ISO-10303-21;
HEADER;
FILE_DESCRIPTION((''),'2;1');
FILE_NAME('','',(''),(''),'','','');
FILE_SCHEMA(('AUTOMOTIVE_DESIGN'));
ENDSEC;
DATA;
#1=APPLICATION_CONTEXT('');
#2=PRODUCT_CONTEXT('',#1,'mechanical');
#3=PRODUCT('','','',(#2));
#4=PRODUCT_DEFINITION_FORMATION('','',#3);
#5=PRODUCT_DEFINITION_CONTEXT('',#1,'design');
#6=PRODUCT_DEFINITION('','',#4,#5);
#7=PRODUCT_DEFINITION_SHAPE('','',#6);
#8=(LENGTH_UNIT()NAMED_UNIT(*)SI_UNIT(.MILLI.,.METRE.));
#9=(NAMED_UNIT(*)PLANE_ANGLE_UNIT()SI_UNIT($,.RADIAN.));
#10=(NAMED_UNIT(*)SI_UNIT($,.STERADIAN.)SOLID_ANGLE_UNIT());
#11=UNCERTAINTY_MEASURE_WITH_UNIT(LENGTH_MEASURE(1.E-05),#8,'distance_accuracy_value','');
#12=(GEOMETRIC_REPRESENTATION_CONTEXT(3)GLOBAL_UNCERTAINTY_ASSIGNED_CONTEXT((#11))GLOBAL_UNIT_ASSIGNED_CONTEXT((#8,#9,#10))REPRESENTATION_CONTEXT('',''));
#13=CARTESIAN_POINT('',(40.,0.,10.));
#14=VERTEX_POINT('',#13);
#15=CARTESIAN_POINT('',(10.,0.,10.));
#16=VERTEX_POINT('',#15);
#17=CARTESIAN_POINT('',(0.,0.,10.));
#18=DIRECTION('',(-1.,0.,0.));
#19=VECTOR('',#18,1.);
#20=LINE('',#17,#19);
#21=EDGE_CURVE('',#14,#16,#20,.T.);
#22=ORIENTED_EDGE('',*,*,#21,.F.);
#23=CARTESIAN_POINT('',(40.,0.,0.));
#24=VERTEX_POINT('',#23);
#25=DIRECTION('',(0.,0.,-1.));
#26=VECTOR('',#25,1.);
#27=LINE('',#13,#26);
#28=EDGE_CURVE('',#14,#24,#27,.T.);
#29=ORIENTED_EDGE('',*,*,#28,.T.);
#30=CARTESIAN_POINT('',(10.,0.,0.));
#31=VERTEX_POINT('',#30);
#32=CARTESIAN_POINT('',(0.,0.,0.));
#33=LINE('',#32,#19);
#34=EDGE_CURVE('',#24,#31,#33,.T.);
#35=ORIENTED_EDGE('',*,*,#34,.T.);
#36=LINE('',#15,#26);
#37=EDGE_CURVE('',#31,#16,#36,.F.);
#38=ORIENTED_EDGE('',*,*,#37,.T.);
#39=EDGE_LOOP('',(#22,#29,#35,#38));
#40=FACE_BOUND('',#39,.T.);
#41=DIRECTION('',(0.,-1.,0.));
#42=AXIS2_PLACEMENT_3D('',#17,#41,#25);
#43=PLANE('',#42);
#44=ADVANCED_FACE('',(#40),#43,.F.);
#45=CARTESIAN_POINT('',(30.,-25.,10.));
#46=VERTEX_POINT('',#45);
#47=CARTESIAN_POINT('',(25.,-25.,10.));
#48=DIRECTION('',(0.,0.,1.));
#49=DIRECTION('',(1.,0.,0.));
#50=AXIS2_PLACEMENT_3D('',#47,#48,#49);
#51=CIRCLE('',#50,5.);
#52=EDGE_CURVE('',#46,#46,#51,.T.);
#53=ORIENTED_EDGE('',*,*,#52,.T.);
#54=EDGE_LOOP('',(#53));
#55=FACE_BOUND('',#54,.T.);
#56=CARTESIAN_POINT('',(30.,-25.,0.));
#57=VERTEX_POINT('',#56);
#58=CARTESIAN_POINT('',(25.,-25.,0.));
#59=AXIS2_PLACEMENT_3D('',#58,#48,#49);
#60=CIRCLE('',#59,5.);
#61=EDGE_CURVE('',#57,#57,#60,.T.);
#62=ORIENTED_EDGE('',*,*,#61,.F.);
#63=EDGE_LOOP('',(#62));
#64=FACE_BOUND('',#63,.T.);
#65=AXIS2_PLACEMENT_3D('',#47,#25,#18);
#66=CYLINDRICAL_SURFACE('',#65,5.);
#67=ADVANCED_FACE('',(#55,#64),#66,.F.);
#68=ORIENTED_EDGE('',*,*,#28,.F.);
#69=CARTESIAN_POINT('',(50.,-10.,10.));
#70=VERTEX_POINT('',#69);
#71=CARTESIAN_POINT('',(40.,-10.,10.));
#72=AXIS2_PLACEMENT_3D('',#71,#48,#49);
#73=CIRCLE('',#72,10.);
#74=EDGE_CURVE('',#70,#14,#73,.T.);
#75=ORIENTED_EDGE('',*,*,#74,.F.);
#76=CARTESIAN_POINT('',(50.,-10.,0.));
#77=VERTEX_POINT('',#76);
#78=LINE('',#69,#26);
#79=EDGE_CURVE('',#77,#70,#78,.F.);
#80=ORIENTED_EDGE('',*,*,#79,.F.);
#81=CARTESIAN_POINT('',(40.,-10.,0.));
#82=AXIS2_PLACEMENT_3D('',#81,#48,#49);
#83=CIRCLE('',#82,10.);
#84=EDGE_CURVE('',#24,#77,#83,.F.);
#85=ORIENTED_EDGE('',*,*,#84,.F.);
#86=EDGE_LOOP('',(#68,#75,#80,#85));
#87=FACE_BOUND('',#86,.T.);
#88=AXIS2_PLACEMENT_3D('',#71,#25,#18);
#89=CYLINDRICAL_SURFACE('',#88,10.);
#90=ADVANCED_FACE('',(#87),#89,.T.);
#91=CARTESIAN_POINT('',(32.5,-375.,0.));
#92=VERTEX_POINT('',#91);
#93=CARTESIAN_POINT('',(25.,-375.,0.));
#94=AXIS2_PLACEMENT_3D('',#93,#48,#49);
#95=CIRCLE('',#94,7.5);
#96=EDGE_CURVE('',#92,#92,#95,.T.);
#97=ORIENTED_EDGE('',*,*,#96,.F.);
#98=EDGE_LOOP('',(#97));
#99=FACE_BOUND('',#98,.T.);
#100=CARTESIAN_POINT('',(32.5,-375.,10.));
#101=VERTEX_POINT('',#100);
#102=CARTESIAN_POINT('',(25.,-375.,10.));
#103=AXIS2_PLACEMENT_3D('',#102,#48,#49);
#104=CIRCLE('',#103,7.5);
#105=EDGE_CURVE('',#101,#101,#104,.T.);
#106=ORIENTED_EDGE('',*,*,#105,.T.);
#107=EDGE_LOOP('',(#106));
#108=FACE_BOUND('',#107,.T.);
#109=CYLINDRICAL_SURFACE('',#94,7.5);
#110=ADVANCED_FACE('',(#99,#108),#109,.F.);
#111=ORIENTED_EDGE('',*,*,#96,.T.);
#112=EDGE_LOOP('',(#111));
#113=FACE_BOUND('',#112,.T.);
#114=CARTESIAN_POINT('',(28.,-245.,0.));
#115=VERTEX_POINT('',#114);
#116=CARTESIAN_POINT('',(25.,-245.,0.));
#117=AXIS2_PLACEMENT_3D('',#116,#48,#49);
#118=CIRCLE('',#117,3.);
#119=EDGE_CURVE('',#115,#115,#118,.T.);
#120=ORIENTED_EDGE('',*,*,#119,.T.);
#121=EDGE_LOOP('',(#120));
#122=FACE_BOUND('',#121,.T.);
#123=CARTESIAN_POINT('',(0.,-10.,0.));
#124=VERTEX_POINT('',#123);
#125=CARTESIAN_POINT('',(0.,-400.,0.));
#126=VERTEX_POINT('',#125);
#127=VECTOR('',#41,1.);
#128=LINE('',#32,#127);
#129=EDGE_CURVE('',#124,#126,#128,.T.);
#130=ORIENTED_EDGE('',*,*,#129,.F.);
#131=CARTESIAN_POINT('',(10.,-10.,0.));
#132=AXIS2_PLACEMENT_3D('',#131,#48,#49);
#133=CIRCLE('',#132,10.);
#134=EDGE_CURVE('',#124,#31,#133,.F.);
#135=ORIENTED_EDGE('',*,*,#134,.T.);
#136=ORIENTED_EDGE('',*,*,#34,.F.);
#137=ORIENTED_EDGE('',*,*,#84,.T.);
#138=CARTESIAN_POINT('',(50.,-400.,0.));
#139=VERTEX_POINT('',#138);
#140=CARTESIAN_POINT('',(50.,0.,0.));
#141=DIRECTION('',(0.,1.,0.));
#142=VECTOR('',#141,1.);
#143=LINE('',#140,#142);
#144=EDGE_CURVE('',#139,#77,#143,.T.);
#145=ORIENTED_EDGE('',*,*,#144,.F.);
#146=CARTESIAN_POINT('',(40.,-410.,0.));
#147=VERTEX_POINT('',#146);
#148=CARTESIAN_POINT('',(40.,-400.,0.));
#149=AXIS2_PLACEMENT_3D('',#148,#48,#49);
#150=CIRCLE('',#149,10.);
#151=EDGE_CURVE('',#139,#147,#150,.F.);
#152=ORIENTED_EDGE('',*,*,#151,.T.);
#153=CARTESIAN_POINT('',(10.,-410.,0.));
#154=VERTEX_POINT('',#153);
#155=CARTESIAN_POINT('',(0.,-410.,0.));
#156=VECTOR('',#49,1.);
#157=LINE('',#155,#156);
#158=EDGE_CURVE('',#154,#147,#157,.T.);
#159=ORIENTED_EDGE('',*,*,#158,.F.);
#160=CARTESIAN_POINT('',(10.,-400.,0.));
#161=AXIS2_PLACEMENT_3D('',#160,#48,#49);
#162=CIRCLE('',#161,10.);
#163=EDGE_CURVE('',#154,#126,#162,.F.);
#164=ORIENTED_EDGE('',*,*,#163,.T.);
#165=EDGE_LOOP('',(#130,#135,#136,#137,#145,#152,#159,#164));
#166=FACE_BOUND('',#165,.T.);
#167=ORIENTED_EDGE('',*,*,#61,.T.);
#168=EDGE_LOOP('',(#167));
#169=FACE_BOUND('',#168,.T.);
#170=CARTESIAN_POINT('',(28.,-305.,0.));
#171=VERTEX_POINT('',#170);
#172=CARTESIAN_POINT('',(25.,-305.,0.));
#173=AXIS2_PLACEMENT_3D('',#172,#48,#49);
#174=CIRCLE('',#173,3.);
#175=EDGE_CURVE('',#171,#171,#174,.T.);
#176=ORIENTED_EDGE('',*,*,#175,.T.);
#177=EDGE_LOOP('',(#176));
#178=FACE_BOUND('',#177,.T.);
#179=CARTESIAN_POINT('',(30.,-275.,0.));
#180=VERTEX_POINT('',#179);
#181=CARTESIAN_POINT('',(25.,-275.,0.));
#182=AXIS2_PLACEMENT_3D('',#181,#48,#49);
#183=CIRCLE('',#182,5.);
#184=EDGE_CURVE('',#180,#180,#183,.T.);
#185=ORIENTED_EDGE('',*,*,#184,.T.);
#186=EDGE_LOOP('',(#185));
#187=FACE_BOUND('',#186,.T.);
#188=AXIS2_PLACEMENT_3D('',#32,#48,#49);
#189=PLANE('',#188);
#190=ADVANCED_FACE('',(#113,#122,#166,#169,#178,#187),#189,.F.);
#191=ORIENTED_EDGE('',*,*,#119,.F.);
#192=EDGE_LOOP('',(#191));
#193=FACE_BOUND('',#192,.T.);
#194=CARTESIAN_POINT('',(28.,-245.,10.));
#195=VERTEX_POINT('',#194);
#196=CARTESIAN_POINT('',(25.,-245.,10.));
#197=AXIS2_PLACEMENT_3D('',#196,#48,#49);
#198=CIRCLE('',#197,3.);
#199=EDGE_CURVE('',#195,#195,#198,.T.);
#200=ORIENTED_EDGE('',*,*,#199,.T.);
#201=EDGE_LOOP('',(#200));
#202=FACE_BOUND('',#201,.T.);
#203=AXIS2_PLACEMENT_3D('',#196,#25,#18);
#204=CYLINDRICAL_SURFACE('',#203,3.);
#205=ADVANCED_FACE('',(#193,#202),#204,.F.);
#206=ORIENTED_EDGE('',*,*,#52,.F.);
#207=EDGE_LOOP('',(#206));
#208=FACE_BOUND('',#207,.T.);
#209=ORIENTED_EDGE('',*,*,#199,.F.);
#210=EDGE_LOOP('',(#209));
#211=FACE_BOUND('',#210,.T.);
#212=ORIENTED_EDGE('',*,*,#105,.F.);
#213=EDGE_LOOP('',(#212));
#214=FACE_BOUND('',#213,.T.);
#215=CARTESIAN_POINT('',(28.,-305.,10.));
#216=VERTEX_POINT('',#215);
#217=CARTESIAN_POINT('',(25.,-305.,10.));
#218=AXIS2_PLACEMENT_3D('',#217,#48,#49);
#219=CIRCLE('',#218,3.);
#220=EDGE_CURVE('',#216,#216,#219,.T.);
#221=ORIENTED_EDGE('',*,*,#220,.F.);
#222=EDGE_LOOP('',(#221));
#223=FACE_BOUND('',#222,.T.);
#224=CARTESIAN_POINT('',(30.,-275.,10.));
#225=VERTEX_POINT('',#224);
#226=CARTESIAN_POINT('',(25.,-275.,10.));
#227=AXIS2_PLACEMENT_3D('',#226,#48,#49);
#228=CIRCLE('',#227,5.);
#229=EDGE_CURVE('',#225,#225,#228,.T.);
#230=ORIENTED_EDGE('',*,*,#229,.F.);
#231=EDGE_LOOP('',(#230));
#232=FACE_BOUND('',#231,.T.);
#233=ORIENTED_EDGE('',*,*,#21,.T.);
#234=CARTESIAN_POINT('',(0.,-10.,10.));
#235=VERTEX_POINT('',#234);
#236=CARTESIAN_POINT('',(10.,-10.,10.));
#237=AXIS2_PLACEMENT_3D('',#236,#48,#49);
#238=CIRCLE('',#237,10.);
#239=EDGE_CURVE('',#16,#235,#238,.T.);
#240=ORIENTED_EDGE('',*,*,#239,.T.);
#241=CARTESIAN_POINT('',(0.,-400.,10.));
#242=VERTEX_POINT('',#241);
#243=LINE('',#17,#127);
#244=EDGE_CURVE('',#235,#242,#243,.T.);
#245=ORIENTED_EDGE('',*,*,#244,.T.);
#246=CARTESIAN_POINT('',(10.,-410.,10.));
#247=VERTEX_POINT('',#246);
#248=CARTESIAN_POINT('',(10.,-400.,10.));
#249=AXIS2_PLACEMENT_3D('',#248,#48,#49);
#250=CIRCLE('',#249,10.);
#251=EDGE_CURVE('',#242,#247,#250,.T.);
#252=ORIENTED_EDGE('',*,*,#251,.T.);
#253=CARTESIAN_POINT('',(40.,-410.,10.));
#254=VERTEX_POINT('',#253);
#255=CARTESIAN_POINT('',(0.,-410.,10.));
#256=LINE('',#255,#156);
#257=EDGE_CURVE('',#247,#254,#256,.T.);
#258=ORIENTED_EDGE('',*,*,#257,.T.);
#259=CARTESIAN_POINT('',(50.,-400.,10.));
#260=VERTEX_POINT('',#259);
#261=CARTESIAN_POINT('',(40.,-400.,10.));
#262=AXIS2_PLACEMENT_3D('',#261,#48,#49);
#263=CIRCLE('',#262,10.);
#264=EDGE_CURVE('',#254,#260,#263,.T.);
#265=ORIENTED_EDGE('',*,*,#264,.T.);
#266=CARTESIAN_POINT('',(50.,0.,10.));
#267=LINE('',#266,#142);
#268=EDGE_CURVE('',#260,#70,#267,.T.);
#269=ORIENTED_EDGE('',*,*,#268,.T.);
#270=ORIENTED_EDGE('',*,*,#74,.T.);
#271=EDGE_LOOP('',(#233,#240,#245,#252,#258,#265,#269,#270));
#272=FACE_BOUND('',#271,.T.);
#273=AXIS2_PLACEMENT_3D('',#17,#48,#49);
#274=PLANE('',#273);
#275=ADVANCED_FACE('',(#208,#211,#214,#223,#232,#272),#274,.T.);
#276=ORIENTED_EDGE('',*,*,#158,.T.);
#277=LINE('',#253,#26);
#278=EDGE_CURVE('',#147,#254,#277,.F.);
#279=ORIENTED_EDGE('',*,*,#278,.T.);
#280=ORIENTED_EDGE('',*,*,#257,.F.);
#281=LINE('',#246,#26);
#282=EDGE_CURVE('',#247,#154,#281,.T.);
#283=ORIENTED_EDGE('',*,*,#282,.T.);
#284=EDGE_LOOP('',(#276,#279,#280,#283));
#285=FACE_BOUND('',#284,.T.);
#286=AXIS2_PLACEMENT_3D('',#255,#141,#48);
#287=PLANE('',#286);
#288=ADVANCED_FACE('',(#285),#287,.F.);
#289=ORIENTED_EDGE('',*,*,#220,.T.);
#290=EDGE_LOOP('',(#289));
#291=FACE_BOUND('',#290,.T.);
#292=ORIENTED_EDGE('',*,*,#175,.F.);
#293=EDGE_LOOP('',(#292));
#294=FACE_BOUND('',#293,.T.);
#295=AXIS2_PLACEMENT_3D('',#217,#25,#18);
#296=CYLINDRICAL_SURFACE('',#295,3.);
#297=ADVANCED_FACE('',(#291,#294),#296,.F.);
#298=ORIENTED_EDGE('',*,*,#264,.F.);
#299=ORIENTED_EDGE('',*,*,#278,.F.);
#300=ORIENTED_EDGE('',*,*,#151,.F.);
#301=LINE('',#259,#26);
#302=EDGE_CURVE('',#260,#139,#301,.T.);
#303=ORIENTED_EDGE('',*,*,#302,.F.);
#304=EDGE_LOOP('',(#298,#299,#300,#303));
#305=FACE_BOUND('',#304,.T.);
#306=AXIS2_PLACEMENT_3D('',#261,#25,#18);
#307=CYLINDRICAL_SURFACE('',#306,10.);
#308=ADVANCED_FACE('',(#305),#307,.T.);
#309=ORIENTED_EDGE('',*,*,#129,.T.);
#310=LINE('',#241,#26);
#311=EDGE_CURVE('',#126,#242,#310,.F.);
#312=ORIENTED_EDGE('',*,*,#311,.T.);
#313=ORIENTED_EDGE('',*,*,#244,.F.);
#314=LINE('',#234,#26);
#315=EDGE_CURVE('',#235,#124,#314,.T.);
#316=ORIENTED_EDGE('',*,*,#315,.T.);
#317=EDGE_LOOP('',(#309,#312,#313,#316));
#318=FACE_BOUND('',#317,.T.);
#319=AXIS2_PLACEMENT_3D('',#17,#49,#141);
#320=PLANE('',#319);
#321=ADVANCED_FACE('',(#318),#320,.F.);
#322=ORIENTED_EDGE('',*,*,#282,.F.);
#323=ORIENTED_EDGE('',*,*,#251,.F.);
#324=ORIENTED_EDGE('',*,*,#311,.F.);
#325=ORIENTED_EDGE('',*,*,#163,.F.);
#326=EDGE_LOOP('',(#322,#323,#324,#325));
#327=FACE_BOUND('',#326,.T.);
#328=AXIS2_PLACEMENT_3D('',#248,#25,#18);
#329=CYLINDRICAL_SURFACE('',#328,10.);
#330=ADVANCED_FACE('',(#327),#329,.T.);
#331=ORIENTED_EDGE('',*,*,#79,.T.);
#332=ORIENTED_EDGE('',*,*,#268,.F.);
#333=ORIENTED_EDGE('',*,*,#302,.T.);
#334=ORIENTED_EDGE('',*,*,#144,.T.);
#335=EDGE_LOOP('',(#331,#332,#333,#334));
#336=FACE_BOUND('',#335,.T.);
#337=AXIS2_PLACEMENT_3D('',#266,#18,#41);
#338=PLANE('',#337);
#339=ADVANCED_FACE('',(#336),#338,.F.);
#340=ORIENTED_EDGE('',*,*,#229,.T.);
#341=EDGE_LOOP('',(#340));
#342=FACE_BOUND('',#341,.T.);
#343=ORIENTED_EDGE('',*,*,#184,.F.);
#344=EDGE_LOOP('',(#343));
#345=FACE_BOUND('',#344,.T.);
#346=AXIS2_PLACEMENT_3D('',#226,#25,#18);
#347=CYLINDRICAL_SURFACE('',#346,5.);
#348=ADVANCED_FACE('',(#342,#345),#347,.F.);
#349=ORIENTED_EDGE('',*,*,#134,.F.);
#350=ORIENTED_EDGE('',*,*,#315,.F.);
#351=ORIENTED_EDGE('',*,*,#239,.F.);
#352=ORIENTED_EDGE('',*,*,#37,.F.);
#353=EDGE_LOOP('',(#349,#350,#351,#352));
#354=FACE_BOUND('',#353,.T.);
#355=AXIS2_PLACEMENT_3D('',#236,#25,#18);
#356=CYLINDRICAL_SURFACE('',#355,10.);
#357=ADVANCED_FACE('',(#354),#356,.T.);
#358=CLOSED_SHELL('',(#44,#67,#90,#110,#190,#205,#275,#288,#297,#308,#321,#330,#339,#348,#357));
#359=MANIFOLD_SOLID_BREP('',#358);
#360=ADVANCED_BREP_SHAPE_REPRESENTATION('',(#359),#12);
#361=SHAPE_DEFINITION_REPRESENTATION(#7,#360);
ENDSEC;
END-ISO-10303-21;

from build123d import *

# Parameters (mm, degrees)
SKETCH1_W           = 50
SKETCH1_H           = 410
SKETCH1_R           = 5
SKETCH1_R_2         = 3
BOSS_EXTRUDE1_DEPTH = 10
FILLET1_R           = 10
SKETCH2_R           = 7.5
CUT_EXTRUDE1_DEPTH  = 10


with BuildPart() as part:
    # Sketch1 → Boss-Extrude1 (new body)
    with BuildSketch(Plane.XY):
        with Locations((25, -205)):
            Rectangle(SKETCH1_W, SKETCH1_H)
        with Locations((25, -275)):
            Circle(SKETCH1_R, mode=Mode.SUBTRACT)
        with Locations((25, -25)):
            Circle(SKETCH1_R, mode=Mode.SUBTRACT)
        with Locations((25, -245)):
            Circle(SKETCH1_R_2, mode=Mode.SUBTRACT)
        with Locations((25, -305)):
            Circle(SKETCH1_R_2, mode=Mode.SUBTRACT)
    extrude(amount=BOSS_EXTRUDE1_DEPTH)

    # Fillet1
    fillet1_edges = [part.edges().sort_by_distance(p)[0] for p in [
        (0, 0, 5),
        (50, 0, 5),
        (50, -410, 5),
        (0, -410, 5),
    ]]
    fillet(fillet1_edges, radius=FILLET1_R)

    # Sketch2 → Cut-Extrude1 (cut)
    with BuildSketch(Plane.XY.offset(10)):
        with Locations((25, -375)):
            Circle(SKETCH2_R)
    extrude(amount=-CUT_EXTRUDE1_DEPTH, mode=Mode.SUBTRACT)


solid = part.part
